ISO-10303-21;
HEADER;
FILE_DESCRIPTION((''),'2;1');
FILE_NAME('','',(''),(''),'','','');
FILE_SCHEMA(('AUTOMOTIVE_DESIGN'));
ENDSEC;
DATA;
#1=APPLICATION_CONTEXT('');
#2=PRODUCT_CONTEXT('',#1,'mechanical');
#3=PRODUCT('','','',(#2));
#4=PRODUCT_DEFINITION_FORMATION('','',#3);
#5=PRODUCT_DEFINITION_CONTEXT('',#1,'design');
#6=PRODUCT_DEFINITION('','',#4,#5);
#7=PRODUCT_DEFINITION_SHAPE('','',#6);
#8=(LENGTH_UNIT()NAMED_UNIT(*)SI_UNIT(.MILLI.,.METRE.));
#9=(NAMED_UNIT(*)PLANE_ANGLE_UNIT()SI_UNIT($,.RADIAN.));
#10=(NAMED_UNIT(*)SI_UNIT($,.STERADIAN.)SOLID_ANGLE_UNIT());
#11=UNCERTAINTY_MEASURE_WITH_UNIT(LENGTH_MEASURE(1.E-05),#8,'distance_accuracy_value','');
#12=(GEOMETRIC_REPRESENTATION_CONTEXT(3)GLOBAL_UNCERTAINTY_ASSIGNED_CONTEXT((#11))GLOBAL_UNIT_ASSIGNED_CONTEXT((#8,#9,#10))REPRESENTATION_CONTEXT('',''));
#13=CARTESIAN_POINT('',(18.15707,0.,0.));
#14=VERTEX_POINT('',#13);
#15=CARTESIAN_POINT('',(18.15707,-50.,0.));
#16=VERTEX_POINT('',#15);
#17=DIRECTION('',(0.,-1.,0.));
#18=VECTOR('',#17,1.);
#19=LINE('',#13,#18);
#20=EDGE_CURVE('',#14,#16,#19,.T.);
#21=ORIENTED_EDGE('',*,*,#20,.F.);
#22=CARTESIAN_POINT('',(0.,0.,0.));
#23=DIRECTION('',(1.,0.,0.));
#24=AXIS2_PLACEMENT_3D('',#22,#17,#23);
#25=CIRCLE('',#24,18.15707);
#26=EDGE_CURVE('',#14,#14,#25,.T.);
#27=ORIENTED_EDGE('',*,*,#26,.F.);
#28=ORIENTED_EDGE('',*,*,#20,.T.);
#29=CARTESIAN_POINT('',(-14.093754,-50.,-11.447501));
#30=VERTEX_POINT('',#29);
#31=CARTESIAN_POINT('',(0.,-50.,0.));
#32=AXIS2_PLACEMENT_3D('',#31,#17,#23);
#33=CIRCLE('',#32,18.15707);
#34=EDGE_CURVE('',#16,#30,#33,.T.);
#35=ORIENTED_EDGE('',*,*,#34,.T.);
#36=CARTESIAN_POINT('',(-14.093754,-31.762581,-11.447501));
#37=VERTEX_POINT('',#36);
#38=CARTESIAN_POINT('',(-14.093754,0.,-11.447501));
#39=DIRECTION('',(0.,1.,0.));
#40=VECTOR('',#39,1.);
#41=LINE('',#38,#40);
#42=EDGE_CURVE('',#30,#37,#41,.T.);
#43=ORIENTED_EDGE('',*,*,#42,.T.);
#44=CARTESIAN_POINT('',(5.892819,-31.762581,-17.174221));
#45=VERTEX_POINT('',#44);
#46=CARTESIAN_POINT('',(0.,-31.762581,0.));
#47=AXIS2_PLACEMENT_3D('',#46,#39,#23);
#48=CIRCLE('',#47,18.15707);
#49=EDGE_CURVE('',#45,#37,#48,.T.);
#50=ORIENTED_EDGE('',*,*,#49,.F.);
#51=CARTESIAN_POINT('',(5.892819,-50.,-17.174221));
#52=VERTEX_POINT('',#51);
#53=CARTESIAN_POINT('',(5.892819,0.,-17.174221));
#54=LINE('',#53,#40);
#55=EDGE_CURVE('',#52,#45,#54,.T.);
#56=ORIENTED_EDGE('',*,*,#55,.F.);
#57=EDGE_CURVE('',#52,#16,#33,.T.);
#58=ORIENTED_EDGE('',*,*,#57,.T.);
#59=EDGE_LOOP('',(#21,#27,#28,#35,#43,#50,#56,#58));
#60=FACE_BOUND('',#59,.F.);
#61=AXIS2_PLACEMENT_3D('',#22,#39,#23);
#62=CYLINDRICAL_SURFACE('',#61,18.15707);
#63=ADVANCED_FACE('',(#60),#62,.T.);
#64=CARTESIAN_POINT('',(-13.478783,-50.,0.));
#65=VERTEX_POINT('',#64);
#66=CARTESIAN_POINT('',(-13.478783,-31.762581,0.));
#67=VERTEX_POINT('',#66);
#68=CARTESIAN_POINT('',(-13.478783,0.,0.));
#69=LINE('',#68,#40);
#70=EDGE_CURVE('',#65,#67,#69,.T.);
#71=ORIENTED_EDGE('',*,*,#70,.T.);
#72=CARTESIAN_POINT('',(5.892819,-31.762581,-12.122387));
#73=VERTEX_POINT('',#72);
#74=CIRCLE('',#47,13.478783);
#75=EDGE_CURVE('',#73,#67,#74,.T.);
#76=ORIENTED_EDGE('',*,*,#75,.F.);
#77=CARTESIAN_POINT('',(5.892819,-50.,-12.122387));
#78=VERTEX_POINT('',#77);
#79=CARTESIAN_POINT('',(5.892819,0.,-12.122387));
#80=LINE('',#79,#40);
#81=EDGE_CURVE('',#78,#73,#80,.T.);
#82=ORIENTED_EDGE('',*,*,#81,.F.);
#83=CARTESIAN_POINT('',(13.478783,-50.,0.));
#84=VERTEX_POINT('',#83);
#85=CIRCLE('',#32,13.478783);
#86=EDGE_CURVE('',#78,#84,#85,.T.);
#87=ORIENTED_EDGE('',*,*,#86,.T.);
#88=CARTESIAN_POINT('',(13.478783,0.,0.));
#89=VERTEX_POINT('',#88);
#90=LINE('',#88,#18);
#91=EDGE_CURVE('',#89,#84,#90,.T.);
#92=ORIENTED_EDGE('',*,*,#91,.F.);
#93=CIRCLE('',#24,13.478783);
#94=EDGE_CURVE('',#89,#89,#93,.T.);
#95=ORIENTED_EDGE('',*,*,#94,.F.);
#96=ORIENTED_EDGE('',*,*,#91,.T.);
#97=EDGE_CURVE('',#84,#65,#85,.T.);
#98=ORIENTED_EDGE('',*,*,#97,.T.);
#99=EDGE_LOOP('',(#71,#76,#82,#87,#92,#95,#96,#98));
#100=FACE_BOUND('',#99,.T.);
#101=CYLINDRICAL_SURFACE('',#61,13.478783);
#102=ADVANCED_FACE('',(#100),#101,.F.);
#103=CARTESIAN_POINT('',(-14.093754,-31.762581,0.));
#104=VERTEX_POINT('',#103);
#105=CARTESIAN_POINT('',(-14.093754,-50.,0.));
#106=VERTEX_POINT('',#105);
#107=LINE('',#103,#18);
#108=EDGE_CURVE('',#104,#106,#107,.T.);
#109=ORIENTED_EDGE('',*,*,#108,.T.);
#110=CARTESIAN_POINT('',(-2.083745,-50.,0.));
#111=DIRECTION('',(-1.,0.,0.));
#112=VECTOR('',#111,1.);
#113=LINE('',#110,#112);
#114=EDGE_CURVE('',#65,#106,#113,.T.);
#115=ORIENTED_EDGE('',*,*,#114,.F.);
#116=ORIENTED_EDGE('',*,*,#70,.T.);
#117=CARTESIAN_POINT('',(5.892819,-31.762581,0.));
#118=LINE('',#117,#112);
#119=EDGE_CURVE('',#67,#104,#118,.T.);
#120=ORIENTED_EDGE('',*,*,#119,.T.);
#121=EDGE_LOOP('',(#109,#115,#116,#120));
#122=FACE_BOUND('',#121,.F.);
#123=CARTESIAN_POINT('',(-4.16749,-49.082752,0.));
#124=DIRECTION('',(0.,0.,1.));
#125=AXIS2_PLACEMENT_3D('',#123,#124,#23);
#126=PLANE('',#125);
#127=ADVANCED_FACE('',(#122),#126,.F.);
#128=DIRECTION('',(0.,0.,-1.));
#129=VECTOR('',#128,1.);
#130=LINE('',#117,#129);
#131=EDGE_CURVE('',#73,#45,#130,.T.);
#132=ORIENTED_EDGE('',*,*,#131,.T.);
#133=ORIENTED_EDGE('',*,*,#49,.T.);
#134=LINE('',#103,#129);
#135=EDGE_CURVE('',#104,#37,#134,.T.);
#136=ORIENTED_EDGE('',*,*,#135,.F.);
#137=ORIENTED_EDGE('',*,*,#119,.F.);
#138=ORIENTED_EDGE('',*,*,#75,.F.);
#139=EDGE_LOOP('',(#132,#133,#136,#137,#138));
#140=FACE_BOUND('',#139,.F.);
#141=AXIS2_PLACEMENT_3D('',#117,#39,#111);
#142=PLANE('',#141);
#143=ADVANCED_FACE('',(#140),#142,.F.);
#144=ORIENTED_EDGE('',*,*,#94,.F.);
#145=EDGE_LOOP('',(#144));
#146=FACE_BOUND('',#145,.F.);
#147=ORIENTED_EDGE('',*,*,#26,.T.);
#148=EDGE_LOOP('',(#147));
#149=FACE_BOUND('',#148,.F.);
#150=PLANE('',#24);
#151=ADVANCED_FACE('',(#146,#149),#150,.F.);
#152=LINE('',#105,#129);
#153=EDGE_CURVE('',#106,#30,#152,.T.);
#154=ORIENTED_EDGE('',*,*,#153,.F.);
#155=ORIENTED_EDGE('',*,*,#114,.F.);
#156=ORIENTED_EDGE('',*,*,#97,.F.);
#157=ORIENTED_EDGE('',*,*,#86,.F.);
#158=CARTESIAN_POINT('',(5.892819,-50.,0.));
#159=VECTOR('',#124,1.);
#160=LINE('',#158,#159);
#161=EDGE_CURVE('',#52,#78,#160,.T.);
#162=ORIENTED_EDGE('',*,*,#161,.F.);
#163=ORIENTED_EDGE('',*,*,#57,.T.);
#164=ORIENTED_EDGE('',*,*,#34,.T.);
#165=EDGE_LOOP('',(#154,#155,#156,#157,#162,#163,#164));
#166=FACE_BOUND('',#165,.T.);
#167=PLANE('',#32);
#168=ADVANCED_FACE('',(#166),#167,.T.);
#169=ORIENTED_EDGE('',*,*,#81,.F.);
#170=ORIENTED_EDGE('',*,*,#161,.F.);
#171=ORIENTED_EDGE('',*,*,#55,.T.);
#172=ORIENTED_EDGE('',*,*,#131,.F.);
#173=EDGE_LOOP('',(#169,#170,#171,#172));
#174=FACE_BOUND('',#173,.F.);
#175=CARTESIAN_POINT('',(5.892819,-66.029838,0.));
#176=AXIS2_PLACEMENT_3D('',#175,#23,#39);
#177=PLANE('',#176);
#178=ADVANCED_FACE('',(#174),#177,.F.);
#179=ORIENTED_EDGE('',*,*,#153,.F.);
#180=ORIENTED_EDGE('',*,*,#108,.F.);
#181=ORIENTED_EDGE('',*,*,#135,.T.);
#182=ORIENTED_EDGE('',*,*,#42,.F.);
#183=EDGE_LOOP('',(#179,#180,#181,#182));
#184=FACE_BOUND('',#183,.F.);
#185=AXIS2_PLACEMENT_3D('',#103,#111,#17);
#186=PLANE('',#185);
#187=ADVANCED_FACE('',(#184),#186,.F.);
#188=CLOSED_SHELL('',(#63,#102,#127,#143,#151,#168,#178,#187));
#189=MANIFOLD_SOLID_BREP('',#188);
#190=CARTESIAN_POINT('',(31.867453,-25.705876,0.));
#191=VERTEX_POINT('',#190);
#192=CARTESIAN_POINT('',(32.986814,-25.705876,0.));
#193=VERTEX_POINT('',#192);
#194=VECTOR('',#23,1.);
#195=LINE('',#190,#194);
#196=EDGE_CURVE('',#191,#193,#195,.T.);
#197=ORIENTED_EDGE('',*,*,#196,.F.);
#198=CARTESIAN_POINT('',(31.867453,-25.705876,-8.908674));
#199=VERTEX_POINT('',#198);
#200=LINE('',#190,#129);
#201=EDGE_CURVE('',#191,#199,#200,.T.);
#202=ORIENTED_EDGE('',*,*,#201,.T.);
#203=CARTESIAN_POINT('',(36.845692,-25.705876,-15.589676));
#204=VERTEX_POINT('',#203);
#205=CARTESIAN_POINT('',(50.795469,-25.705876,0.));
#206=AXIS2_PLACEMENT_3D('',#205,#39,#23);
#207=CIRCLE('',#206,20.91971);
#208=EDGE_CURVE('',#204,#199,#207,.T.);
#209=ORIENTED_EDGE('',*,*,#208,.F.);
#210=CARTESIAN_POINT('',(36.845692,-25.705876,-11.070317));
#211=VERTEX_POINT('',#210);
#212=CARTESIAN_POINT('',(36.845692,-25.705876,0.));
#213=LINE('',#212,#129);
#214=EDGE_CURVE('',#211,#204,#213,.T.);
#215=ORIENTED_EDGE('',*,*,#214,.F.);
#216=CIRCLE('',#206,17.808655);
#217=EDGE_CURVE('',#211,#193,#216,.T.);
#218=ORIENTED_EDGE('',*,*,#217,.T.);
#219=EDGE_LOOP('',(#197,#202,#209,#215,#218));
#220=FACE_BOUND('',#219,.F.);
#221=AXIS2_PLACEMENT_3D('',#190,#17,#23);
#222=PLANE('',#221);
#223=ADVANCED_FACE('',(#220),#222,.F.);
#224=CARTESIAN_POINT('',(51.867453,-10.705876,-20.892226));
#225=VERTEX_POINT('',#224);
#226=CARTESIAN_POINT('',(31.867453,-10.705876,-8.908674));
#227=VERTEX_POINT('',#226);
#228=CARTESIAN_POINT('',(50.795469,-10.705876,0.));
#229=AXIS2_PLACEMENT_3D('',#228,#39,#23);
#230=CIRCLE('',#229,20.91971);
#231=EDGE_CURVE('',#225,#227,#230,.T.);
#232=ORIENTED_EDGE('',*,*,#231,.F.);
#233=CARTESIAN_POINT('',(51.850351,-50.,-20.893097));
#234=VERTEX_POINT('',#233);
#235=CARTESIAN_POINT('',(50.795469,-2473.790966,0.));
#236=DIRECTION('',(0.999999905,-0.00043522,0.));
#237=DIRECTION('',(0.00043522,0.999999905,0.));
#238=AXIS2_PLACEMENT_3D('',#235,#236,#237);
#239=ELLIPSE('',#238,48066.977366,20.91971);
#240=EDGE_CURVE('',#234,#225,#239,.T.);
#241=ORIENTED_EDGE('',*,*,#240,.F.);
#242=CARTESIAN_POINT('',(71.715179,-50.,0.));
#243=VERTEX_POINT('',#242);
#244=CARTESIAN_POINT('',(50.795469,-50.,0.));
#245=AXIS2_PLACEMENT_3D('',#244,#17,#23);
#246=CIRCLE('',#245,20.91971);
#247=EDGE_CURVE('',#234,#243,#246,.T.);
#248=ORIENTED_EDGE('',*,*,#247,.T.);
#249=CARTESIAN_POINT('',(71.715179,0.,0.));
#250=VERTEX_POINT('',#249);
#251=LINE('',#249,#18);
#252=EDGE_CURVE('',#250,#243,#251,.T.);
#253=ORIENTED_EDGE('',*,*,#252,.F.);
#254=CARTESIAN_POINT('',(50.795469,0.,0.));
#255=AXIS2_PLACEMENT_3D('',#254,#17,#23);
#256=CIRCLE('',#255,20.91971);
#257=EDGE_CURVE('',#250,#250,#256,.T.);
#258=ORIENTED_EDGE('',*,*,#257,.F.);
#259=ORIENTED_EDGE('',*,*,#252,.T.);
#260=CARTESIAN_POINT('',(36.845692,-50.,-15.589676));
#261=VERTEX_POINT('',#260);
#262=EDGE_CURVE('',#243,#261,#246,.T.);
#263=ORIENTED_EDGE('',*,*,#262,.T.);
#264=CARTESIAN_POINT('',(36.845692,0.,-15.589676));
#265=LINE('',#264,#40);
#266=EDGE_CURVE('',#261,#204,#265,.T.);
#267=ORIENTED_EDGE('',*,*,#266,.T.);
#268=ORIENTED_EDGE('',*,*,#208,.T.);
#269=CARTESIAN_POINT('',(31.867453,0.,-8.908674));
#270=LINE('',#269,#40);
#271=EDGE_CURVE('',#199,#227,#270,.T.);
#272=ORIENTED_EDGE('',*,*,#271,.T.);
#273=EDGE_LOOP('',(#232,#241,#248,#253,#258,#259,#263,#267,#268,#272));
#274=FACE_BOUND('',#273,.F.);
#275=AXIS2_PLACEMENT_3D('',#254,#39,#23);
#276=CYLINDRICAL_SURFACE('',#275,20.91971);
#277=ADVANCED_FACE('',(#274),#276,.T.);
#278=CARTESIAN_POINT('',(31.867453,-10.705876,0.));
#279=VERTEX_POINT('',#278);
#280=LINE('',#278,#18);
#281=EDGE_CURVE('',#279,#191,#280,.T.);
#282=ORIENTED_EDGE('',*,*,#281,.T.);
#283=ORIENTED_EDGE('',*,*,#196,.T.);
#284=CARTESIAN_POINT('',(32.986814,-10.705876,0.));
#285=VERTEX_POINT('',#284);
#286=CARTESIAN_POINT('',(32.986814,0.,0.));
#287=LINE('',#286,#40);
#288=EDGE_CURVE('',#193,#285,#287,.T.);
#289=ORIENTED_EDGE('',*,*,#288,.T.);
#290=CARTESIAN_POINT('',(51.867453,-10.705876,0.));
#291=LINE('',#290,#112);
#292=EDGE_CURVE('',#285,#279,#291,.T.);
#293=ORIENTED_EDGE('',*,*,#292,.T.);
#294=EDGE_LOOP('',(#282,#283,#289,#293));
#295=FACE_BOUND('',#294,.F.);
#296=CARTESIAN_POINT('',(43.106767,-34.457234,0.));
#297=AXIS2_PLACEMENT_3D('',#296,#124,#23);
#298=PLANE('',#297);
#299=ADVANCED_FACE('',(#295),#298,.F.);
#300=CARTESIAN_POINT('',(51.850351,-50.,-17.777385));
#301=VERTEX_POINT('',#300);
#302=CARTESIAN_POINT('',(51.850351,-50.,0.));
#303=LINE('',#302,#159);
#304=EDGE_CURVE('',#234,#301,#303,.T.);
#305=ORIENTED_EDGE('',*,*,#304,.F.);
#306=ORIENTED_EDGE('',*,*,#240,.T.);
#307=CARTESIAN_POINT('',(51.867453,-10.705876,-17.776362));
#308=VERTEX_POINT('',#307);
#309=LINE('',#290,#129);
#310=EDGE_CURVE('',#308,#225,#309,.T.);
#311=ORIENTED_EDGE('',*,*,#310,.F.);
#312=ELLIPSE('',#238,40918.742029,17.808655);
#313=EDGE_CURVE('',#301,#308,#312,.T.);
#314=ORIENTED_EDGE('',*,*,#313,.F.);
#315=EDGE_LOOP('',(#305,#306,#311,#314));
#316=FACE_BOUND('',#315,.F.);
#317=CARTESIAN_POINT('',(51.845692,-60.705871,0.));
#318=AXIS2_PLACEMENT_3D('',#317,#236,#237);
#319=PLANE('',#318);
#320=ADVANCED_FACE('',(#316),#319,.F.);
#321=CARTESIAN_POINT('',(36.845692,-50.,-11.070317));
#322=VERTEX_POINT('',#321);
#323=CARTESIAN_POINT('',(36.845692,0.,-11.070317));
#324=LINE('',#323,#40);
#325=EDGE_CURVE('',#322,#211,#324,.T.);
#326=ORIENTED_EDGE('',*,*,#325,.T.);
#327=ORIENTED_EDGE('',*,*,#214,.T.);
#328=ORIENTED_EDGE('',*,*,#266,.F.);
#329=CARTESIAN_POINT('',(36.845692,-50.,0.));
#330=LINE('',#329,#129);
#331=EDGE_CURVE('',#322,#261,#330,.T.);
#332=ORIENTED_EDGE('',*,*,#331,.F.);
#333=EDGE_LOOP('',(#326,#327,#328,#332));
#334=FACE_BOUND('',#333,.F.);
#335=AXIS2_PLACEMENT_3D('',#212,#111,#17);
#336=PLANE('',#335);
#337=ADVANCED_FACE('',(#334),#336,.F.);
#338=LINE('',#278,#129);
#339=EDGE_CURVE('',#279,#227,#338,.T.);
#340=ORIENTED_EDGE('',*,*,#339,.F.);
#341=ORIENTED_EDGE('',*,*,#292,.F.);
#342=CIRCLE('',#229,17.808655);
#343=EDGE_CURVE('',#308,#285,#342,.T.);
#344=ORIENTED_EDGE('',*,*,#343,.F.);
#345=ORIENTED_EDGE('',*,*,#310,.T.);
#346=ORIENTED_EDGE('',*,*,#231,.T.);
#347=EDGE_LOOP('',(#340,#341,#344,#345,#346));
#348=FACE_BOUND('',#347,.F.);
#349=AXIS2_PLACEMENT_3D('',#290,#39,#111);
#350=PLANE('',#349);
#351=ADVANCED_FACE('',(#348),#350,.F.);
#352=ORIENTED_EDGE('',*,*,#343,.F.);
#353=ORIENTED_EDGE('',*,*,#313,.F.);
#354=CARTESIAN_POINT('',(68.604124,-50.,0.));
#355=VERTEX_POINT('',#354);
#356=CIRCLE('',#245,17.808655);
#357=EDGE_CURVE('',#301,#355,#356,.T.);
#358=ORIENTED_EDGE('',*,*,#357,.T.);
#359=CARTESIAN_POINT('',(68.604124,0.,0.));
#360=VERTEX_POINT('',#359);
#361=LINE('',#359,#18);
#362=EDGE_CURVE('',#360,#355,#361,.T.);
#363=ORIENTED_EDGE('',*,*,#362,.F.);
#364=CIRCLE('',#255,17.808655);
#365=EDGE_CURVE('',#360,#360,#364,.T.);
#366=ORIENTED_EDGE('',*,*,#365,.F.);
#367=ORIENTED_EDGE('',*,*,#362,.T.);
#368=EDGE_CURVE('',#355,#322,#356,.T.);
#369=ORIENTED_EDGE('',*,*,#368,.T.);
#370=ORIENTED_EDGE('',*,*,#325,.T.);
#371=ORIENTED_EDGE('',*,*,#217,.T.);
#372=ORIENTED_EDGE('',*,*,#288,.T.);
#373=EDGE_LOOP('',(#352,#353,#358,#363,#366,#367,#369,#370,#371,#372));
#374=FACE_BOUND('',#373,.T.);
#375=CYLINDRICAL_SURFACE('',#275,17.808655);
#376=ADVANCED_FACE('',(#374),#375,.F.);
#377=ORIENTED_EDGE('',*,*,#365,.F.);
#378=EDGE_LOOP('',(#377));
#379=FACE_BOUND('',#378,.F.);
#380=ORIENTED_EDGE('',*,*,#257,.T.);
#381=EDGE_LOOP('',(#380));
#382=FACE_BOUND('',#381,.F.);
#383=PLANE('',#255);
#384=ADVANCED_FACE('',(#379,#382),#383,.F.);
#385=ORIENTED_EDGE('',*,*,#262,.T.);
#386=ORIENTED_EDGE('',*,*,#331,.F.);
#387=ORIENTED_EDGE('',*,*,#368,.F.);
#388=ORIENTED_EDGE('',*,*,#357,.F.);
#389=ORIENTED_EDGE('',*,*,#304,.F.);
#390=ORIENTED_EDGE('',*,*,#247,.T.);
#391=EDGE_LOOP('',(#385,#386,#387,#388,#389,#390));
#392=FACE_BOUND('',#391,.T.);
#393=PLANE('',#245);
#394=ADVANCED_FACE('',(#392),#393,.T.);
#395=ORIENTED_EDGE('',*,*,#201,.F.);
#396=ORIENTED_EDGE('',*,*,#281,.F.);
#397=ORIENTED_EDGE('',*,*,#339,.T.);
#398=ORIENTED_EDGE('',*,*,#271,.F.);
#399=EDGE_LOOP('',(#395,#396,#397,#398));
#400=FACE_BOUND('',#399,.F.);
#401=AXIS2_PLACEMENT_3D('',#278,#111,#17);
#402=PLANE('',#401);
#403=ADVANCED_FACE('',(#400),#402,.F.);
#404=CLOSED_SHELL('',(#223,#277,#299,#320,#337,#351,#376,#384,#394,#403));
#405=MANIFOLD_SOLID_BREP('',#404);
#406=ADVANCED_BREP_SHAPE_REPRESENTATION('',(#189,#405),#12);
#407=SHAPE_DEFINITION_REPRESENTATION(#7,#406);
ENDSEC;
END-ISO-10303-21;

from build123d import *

# Parameters (mm, degrees)
F0_R     = 18.15707
F0_R_2   = 13.478783
F1_DEPTH = 50
F3_DEPTH = 25
F4_R     = 20.91971
F4_R_2   = 17.808655
F5_DEPTH = 50
F7_DEPTH = 25


with BuildPart() as f1:
    # F0 (on Front) → F1 (new body)
    with BuildSketch(Plane.XZ):
        Circle(F0_R)
        Circle(F0_R_2, mode=Mode.SUBTRACT)
    extrude(amount=F1_DEPTH)

    # F2 (on Top) → F3 (cut)
    with BuildSketch(Plane.XY):
        Polygon((-14.093754, -31.762581), (-14.093754, -66.762581), (5.892819, -66.029838), (5.892819, -31.762581), align=None)
    extrude(amount=-F3_DEPTH, mode=Mode.SUBTRACT)


with BuildPart() as f5:
    # F4 (on Front) → F5 (new body)
    with BuildSketch(Plane.XZ):
        with Locations((50.795469, 0)):
            Circle(F4_R)
        with Locations((50.795469, 0)):
            Circle(F4_R_2, mode=Mode.SUBTRACT)
    extrude(amount=F5_DEPTH)

    # F6 (on Top) → F7 (cut)
    with BuildSketch(Plane.XY):
        Polygon((36.845692, -60.705871), (51.845692, -60.705871), (51.867453, -10.705876), (31.867453, -10.705876), (31.867453, -25.705876), (36.845692, -25.705876), align=None)
    extrude(amount=-F7_DEPTH, mode=Mode.SUBTRACT)


solid = Compound([f1.part, f5.part])
